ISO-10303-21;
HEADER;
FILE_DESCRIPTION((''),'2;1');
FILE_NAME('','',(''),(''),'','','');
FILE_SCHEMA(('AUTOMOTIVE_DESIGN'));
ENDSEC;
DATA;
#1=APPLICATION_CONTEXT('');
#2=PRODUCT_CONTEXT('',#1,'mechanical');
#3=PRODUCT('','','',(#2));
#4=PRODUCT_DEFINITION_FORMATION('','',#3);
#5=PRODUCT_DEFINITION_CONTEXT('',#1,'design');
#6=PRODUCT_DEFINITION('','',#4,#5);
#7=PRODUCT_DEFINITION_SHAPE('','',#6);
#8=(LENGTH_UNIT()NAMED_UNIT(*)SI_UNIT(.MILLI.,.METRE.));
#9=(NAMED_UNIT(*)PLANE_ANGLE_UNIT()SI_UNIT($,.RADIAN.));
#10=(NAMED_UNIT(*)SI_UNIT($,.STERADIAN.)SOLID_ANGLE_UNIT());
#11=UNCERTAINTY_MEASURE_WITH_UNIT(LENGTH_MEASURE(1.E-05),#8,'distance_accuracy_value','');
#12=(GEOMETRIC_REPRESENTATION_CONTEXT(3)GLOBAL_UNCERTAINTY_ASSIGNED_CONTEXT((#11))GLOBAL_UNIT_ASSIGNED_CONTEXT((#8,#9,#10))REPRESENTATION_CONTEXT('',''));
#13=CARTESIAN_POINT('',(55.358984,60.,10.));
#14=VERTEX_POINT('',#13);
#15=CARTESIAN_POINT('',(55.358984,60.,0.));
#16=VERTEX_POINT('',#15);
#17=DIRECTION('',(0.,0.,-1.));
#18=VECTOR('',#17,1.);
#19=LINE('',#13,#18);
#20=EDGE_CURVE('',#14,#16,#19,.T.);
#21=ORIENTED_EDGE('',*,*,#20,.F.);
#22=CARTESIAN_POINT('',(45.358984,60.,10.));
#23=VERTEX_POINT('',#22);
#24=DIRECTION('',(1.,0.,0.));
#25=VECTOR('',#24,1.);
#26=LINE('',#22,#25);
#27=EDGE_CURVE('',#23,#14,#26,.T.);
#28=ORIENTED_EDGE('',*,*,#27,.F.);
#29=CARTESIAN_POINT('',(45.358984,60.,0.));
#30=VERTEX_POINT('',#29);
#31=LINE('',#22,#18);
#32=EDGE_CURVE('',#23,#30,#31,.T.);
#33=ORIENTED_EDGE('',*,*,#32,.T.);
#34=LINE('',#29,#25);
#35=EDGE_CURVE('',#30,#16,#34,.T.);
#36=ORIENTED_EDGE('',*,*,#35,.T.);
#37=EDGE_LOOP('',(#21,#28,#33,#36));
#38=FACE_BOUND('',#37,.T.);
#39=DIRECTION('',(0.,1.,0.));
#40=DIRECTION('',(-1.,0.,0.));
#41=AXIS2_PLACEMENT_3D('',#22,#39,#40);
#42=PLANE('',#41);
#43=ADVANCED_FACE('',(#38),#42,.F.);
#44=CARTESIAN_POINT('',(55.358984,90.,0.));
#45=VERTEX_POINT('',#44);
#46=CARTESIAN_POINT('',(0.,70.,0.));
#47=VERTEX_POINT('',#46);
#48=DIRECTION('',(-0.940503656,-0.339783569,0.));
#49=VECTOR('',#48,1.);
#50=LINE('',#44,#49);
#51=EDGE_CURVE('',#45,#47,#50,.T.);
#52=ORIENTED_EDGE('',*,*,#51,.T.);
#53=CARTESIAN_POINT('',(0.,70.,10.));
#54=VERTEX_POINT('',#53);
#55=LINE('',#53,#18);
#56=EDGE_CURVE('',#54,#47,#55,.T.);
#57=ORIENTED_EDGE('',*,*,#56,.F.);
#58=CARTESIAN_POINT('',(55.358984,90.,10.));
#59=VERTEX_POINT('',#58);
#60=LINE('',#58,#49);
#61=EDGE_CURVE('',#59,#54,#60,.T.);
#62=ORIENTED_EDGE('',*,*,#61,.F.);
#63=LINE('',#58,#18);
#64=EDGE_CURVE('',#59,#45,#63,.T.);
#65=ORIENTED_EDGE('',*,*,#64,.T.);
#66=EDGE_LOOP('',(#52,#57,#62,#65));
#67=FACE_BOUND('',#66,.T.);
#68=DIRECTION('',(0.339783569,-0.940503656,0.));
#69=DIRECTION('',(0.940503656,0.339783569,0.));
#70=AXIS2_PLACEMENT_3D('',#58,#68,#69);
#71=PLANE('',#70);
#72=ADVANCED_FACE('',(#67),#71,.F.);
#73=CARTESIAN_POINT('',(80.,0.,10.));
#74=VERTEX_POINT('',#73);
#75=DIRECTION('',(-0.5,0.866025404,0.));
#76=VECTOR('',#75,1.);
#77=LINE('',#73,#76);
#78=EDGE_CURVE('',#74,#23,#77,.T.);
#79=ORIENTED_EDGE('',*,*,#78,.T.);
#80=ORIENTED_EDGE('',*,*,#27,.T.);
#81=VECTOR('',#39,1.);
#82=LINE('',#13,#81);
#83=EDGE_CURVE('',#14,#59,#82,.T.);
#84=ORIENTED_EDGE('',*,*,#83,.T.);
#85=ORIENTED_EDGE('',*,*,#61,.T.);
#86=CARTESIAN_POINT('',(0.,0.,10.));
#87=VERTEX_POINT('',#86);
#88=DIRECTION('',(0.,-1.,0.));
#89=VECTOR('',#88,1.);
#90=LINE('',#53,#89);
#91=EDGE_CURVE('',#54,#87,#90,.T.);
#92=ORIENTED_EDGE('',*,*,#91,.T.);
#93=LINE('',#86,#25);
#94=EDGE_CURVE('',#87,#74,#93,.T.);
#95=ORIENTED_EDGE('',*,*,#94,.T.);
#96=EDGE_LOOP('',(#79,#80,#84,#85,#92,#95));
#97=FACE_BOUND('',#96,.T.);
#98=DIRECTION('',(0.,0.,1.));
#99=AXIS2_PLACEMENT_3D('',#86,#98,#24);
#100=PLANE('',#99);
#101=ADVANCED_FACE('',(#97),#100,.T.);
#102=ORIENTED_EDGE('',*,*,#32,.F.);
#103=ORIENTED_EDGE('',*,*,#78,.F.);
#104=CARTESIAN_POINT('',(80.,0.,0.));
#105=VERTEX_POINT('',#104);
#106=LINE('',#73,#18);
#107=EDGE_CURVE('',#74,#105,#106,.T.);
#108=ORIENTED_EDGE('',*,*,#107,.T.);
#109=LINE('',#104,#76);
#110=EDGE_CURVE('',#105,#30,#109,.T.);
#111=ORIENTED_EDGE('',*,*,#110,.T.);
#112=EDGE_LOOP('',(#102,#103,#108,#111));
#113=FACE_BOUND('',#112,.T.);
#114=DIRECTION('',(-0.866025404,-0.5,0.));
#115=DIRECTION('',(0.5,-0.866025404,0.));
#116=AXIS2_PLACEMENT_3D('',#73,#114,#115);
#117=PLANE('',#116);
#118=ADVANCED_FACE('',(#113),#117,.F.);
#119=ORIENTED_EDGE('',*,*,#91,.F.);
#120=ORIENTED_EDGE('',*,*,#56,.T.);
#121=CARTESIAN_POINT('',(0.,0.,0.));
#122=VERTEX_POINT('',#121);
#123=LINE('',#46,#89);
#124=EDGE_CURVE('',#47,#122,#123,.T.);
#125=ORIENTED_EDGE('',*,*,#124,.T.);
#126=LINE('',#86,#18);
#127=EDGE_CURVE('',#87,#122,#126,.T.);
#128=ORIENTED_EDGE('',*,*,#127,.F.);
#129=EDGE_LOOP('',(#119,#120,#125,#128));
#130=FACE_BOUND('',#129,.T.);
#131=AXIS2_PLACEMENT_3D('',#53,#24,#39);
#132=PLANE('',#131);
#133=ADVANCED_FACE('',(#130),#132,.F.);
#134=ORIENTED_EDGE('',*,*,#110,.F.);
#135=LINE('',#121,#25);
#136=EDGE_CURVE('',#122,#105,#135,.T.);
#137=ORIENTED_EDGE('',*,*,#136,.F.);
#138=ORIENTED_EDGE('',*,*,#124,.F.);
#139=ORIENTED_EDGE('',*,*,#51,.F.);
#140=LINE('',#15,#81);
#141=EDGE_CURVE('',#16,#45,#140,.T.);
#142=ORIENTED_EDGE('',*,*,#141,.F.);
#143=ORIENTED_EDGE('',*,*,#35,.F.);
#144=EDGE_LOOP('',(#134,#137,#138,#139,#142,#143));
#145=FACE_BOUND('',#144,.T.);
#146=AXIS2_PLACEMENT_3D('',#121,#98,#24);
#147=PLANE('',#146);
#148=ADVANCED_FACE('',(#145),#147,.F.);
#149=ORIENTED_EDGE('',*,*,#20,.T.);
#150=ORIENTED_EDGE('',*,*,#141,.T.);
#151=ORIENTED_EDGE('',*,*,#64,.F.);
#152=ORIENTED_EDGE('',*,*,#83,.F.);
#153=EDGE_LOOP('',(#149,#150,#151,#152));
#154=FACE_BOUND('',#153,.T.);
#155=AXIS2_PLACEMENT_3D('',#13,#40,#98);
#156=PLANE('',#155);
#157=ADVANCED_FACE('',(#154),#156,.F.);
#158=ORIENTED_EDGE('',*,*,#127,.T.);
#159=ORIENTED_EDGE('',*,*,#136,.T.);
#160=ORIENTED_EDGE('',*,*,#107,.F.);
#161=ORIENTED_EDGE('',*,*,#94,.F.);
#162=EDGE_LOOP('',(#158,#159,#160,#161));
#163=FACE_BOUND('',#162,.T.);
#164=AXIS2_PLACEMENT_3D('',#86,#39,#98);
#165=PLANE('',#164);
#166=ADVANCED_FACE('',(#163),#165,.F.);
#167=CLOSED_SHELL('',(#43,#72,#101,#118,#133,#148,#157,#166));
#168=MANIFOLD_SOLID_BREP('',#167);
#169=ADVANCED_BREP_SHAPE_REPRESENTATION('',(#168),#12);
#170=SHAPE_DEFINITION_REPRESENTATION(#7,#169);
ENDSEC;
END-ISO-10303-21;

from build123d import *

# Parameters (mm, degrees)
P_IDAT_VYSUNUT_M1_DEPTH = 10


with BuildPart() as part:
    # Skica1 → Přidat vysunutím1 (new body)
    with BuildSketch(Plane.XY):
        Polygon((0, 0), (80, 0), (45.358983849, 60), (55.358983849, 60), (55.358983849, 90), (0, 70), align=None)
    extrude(amount=P_IDAT_VYSUNUT_M1_DEPTH)


solid = part.part
